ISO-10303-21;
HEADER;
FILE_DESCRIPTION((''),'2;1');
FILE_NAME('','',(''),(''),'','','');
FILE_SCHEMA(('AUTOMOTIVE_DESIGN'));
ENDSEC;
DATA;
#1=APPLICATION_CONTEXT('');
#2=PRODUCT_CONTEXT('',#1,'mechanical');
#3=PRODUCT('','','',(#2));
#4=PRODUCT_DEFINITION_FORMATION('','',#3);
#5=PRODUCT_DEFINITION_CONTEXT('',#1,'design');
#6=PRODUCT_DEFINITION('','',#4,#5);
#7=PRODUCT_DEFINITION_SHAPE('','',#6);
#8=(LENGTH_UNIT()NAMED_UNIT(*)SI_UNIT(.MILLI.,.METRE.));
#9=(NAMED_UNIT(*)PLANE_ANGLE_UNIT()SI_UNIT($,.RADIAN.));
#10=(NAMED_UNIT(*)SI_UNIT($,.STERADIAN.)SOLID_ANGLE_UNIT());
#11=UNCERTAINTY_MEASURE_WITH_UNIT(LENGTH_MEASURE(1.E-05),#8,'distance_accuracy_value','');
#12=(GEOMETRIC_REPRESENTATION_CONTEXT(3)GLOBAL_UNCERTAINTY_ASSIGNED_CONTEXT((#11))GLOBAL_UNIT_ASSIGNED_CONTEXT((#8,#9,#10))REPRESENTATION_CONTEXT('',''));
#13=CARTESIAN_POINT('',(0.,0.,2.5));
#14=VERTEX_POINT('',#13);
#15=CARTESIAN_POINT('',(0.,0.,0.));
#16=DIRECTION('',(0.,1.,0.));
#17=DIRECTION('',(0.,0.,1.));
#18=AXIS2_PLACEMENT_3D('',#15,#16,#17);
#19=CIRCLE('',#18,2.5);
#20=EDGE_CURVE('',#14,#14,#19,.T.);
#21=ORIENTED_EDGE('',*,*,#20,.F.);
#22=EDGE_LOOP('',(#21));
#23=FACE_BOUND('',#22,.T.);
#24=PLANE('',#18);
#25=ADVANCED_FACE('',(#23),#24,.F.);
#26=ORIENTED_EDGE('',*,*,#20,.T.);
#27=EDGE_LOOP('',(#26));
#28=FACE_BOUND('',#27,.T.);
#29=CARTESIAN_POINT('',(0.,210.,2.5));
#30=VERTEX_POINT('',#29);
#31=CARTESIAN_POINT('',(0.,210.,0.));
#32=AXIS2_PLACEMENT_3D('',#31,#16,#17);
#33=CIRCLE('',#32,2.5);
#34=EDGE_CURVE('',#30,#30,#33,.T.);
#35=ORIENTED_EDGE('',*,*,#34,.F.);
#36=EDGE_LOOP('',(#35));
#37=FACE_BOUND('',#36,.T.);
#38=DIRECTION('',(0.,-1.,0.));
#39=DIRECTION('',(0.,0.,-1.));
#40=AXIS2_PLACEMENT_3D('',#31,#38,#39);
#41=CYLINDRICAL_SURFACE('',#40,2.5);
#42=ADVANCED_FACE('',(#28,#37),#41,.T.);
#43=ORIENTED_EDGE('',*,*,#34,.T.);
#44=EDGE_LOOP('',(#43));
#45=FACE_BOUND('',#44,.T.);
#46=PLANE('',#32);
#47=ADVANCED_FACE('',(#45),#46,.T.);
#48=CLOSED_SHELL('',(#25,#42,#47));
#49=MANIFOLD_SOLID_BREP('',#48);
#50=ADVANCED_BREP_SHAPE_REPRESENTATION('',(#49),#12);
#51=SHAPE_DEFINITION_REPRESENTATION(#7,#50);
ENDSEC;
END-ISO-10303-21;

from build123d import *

# Parameters (mm, degrees)
ESQUISSE1_R        = 2.5
BOSS_EXTRU_1_DEPTH = 210


with BuildPart() as part:
    # Esquisse1 → Boss.-Extru.1 (new body)
    with BuildSketch(Plane(origin=(0, 0, 0), x_dir=(1, 0, 0), z_dir=(0, 1, 0))):
        with Locations(Location((0, 0, 0), (0, 0, 270))):
            Circle(ESQUISSE1_R)
    extrude(amount=BOSS_EXTRU_1_DEPTH)


solid = part.part
